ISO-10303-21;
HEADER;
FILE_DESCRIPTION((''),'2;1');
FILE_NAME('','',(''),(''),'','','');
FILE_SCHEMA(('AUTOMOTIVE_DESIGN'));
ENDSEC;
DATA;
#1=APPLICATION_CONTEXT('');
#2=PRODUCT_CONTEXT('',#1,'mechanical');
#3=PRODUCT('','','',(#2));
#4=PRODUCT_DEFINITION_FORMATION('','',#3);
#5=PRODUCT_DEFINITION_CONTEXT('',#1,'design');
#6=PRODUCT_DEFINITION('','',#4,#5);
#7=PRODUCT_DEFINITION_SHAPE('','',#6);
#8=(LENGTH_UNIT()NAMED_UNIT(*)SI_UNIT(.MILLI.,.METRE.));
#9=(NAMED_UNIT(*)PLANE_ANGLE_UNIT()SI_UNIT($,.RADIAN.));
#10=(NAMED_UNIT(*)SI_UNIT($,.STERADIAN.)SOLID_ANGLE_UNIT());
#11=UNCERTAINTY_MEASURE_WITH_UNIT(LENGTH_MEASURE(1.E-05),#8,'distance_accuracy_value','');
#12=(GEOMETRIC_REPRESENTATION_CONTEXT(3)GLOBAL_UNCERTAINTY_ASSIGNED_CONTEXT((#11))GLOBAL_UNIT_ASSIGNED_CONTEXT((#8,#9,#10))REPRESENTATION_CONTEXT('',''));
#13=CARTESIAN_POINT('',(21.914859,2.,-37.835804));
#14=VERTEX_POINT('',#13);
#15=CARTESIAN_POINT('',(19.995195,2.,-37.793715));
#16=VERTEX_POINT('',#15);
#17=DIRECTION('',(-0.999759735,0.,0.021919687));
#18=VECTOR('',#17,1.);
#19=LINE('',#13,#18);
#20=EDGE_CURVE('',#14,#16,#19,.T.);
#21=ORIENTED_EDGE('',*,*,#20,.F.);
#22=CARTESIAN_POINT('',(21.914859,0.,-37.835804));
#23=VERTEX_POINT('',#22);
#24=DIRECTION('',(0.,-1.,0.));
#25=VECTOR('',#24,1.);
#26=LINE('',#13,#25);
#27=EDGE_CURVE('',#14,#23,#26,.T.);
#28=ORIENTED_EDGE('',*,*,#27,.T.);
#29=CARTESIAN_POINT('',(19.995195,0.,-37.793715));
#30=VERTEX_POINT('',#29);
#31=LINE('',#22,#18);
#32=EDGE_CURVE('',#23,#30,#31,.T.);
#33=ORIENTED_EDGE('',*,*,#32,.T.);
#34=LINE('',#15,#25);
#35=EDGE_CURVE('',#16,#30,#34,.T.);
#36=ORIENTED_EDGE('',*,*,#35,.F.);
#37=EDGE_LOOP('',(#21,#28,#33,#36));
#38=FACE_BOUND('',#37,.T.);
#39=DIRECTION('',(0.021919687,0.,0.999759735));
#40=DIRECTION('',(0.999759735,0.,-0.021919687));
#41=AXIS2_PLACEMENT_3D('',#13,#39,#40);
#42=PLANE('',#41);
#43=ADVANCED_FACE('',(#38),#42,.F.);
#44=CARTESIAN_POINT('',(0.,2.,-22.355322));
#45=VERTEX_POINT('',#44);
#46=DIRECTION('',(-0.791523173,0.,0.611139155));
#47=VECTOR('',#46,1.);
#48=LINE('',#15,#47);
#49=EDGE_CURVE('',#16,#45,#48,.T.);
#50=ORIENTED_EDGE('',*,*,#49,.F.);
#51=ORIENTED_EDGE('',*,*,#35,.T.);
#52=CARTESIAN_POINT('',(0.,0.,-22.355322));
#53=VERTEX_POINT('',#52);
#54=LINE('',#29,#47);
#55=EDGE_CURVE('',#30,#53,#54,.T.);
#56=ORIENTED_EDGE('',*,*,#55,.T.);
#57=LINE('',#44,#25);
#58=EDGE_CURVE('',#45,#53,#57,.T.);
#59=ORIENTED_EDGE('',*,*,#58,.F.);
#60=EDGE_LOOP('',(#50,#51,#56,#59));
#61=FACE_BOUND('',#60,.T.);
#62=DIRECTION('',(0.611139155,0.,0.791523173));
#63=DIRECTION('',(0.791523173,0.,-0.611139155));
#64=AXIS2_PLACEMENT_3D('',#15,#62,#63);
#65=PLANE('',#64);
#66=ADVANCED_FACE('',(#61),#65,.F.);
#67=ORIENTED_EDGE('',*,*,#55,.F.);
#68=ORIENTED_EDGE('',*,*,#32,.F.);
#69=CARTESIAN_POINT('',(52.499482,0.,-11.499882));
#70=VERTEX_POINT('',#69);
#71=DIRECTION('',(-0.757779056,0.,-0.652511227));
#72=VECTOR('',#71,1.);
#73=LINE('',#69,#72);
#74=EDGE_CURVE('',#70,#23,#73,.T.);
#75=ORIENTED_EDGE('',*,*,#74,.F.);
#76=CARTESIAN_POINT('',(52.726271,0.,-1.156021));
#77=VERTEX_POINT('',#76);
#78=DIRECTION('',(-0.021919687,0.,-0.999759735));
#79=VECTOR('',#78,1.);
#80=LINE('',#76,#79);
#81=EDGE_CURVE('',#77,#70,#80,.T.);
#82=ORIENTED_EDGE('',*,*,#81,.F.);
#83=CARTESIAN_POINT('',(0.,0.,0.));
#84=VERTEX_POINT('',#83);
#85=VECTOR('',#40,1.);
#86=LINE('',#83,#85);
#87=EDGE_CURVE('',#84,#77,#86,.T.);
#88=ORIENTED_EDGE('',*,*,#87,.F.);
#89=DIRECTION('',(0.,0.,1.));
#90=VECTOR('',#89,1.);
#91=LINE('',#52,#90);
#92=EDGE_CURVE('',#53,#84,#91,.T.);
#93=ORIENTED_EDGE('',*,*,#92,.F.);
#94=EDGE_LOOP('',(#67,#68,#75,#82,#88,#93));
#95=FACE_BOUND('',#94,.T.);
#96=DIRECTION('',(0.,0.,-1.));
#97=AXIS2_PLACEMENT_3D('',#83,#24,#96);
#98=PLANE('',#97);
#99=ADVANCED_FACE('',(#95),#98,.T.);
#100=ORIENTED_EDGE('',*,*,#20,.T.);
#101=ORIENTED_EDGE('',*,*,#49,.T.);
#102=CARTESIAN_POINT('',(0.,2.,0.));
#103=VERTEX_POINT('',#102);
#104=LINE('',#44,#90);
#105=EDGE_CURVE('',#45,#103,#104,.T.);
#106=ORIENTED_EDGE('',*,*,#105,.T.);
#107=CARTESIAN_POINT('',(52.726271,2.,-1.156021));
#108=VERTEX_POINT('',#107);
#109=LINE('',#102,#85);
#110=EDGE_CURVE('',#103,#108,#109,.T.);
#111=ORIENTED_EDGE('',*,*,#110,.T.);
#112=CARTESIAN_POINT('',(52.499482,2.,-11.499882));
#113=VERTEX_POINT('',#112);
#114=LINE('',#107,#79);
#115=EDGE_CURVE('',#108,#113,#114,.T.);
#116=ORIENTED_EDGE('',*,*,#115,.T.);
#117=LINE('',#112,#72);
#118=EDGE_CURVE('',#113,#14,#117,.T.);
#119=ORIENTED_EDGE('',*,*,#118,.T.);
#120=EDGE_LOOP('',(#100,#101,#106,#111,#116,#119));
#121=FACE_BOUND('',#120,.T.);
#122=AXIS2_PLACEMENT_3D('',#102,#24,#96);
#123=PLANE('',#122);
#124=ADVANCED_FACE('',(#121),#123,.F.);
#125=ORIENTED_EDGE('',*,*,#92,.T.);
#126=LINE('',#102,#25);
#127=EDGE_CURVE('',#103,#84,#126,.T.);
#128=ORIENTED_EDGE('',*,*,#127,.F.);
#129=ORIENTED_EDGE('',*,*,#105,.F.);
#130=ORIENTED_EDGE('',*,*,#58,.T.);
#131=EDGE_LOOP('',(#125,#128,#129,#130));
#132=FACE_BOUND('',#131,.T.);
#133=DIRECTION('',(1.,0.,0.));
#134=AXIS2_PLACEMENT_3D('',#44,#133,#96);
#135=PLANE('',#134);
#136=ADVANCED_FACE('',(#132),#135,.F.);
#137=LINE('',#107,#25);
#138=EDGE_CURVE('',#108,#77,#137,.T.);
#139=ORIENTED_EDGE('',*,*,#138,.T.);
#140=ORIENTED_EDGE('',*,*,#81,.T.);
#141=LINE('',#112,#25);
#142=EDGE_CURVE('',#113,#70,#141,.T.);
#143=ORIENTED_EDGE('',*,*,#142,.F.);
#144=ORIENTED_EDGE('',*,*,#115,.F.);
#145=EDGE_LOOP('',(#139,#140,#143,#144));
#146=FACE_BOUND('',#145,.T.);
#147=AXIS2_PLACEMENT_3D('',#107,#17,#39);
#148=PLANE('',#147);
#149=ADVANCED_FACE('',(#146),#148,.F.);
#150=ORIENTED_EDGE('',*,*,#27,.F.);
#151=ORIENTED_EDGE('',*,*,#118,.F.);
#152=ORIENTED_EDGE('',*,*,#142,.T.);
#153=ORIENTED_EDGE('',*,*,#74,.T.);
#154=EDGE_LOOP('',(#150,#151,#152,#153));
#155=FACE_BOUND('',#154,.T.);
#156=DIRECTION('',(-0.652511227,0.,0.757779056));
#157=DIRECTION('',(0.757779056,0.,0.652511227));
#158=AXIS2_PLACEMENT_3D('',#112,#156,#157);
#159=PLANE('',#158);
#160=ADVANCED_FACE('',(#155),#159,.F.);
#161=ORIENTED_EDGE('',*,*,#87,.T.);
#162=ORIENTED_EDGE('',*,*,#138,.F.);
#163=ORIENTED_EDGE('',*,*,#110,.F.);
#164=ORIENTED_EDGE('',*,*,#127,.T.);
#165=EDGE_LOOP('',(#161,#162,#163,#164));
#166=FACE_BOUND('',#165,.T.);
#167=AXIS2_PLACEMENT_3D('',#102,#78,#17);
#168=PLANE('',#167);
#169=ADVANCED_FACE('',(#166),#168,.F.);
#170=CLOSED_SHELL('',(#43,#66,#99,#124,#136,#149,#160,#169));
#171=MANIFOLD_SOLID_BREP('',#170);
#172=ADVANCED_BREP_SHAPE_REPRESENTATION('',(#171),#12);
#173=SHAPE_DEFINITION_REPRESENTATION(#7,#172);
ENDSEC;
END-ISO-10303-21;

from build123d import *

# Parameters (mm, degrees)
BOSS_EXTRU_1_DEPTH = 2


with BuildPart() as part:
    # Esquisse1 → Boss.-Extru.1 (new body)
    with BuildSketch(Plane(origin=(0, 0, 0), x_dir=(1, 0, 0), z_dir=(0, 1, 0))):
        Polygon((0, 22.355321667), (0, 0), (52.726270899, 1.156021126), (52.499482218, 11.499881741), (21.914858616, 37.835803959), (19.995194696, 37.793715414), align=None)
    extrude(amount=BOSS_EXTRU_1_DEPTH)


solid = part.part
